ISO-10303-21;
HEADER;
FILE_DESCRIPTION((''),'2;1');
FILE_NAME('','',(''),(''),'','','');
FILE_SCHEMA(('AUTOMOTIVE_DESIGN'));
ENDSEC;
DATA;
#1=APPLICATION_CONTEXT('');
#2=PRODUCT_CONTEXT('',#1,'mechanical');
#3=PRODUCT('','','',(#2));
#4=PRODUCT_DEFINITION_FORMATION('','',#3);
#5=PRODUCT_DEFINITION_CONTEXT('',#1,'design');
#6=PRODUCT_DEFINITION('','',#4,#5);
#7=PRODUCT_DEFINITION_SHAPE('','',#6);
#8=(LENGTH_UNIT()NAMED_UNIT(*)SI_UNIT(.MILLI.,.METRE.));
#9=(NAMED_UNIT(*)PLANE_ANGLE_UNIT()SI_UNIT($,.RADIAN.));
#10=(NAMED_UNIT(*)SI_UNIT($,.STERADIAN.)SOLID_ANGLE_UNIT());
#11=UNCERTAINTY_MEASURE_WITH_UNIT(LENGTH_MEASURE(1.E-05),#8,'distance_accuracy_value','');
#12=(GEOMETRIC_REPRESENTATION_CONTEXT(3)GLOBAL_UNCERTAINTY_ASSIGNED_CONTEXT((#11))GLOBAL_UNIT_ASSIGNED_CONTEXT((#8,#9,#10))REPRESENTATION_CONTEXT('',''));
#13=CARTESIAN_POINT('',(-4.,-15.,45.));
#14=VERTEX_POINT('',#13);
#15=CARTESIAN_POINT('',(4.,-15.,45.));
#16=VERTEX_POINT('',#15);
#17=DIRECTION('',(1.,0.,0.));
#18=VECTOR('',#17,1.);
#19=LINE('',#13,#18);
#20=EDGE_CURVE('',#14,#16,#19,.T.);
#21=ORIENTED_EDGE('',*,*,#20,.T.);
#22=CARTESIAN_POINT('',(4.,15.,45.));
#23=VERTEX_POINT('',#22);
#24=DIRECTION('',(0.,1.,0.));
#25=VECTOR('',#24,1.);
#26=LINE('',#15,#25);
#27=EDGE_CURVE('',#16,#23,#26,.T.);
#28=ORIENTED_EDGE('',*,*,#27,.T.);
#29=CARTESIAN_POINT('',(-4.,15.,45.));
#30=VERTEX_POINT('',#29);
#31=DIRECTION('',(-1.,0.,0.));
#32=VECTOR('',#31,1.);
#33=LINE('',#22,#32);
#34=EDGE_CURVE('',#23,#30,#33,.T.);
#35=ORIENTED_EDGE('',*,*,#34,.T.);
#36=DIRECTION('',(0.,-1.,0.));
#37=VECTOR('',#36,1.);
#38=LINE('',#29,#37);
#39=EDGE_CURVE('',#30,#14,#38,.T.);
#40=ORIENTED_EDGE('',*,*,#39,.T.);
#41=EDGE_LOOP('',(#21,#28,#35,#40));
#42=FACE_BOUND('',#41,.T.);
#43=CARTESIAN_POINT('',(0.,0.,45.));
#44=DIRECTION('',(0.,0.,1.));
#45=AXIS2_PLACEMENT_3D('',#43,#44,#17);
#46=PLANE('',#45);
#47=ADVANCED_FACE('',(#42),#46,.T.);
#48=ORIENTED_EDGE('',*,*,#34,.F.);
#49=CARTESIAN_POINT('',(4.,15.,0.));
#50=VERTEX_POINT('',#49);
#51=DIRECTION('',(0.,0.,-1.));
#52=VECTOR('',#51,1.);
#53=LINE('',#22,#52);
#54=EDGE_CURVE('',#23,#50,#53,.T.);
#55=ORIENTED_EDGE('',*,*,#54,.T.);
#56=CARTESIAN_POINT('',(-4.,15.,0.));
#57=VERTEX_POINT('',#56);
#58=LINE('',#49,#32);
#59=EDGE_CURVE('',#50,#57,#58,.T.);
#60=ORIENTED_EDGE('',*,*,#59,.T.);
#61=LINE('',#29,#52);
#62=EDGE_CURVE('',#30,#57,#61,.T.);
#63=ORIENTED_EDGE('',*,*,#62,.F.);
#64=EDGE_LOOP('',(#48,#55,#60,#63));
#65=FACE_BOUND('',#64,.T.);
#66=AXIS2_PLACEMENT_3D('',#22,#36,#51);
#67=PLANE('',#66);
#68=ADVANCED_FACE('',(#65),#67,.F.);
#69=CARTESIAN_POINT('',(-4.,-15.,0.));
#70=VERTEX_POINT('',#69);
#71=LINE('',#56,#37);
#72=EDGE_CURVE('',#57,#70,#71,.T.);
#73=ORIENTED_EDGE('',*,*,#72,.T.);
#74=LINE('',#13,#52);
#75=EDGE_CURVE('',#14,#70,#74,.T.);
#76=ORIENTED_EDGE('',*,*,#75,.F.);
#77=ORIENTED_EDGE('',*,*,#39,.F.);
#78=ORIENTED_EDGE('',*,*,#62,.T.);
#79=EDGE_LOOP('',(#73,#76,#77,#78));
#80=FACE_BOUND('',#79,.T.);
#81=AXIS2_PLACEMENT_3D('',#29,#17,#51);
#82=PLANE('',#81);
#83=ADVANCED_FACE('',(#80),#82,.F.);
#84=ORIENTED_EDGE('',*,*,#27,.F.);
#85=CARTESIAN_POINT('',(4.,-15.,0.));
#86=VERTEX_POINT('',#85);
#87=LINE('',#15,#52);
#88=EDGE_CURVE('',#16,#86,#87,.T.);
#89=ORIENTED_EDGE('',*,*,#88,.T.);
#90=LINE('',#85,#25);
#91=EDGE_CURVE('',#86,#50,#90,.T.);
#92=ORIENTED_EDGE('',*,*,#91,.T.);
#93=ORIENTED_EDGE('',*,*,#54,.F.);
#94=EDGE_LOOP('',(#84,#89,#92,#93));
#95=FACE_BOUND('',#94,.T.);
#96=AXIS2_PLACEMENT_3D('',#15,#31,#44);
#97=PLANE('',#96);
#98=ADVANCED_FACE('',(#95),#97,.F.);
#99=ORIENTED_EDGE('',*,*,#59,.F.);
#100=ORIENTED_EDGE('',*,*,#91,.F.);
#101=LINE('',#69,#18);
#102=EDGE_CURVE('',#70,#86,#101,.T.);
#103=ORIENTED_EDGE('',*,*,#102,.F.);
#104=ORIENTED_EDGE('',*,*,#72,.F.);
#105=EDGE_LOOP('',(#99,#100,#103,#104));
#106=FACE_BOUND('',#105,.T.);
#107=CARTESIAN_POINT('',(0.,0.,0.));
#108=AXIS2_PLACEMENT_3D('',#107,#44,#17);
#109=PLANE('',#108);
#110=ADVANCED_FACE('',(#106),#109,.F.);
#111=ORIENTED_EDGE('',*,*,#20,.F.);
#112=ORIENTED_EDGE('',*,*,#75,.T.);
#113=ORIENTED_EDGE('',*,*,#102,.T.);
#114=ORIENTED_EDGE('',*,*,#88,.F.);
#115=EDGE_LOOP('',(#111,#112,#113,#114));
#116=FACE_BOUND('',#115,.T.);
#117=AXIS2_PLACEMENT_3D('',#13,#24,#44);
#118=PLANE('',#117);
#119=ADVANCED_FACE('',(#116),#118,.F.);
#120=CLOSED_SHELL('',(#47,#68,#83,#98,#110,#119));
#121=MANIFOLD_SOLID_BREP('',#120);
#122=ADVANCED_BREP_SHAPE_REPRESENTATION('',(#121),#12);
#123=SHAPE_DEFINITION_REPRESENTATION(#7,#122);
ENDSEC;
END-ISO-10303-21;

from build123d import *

# Parameters (mm, degrees)
SKETCH_1_W      = 8
SKETCH_1_H      = 30
EXTRUDE_1_DEPTH = 45


with BuildPart() as part:
    # 草圖1 → 填料-伸長1 (new body)
    with BuildSketch(Plane.XY):
        Rectangle(SKETCH_1_W, SKETCH_1_H)
    extrude(amount=EXTRUDE_1_DEPTH)


solid = part.part
